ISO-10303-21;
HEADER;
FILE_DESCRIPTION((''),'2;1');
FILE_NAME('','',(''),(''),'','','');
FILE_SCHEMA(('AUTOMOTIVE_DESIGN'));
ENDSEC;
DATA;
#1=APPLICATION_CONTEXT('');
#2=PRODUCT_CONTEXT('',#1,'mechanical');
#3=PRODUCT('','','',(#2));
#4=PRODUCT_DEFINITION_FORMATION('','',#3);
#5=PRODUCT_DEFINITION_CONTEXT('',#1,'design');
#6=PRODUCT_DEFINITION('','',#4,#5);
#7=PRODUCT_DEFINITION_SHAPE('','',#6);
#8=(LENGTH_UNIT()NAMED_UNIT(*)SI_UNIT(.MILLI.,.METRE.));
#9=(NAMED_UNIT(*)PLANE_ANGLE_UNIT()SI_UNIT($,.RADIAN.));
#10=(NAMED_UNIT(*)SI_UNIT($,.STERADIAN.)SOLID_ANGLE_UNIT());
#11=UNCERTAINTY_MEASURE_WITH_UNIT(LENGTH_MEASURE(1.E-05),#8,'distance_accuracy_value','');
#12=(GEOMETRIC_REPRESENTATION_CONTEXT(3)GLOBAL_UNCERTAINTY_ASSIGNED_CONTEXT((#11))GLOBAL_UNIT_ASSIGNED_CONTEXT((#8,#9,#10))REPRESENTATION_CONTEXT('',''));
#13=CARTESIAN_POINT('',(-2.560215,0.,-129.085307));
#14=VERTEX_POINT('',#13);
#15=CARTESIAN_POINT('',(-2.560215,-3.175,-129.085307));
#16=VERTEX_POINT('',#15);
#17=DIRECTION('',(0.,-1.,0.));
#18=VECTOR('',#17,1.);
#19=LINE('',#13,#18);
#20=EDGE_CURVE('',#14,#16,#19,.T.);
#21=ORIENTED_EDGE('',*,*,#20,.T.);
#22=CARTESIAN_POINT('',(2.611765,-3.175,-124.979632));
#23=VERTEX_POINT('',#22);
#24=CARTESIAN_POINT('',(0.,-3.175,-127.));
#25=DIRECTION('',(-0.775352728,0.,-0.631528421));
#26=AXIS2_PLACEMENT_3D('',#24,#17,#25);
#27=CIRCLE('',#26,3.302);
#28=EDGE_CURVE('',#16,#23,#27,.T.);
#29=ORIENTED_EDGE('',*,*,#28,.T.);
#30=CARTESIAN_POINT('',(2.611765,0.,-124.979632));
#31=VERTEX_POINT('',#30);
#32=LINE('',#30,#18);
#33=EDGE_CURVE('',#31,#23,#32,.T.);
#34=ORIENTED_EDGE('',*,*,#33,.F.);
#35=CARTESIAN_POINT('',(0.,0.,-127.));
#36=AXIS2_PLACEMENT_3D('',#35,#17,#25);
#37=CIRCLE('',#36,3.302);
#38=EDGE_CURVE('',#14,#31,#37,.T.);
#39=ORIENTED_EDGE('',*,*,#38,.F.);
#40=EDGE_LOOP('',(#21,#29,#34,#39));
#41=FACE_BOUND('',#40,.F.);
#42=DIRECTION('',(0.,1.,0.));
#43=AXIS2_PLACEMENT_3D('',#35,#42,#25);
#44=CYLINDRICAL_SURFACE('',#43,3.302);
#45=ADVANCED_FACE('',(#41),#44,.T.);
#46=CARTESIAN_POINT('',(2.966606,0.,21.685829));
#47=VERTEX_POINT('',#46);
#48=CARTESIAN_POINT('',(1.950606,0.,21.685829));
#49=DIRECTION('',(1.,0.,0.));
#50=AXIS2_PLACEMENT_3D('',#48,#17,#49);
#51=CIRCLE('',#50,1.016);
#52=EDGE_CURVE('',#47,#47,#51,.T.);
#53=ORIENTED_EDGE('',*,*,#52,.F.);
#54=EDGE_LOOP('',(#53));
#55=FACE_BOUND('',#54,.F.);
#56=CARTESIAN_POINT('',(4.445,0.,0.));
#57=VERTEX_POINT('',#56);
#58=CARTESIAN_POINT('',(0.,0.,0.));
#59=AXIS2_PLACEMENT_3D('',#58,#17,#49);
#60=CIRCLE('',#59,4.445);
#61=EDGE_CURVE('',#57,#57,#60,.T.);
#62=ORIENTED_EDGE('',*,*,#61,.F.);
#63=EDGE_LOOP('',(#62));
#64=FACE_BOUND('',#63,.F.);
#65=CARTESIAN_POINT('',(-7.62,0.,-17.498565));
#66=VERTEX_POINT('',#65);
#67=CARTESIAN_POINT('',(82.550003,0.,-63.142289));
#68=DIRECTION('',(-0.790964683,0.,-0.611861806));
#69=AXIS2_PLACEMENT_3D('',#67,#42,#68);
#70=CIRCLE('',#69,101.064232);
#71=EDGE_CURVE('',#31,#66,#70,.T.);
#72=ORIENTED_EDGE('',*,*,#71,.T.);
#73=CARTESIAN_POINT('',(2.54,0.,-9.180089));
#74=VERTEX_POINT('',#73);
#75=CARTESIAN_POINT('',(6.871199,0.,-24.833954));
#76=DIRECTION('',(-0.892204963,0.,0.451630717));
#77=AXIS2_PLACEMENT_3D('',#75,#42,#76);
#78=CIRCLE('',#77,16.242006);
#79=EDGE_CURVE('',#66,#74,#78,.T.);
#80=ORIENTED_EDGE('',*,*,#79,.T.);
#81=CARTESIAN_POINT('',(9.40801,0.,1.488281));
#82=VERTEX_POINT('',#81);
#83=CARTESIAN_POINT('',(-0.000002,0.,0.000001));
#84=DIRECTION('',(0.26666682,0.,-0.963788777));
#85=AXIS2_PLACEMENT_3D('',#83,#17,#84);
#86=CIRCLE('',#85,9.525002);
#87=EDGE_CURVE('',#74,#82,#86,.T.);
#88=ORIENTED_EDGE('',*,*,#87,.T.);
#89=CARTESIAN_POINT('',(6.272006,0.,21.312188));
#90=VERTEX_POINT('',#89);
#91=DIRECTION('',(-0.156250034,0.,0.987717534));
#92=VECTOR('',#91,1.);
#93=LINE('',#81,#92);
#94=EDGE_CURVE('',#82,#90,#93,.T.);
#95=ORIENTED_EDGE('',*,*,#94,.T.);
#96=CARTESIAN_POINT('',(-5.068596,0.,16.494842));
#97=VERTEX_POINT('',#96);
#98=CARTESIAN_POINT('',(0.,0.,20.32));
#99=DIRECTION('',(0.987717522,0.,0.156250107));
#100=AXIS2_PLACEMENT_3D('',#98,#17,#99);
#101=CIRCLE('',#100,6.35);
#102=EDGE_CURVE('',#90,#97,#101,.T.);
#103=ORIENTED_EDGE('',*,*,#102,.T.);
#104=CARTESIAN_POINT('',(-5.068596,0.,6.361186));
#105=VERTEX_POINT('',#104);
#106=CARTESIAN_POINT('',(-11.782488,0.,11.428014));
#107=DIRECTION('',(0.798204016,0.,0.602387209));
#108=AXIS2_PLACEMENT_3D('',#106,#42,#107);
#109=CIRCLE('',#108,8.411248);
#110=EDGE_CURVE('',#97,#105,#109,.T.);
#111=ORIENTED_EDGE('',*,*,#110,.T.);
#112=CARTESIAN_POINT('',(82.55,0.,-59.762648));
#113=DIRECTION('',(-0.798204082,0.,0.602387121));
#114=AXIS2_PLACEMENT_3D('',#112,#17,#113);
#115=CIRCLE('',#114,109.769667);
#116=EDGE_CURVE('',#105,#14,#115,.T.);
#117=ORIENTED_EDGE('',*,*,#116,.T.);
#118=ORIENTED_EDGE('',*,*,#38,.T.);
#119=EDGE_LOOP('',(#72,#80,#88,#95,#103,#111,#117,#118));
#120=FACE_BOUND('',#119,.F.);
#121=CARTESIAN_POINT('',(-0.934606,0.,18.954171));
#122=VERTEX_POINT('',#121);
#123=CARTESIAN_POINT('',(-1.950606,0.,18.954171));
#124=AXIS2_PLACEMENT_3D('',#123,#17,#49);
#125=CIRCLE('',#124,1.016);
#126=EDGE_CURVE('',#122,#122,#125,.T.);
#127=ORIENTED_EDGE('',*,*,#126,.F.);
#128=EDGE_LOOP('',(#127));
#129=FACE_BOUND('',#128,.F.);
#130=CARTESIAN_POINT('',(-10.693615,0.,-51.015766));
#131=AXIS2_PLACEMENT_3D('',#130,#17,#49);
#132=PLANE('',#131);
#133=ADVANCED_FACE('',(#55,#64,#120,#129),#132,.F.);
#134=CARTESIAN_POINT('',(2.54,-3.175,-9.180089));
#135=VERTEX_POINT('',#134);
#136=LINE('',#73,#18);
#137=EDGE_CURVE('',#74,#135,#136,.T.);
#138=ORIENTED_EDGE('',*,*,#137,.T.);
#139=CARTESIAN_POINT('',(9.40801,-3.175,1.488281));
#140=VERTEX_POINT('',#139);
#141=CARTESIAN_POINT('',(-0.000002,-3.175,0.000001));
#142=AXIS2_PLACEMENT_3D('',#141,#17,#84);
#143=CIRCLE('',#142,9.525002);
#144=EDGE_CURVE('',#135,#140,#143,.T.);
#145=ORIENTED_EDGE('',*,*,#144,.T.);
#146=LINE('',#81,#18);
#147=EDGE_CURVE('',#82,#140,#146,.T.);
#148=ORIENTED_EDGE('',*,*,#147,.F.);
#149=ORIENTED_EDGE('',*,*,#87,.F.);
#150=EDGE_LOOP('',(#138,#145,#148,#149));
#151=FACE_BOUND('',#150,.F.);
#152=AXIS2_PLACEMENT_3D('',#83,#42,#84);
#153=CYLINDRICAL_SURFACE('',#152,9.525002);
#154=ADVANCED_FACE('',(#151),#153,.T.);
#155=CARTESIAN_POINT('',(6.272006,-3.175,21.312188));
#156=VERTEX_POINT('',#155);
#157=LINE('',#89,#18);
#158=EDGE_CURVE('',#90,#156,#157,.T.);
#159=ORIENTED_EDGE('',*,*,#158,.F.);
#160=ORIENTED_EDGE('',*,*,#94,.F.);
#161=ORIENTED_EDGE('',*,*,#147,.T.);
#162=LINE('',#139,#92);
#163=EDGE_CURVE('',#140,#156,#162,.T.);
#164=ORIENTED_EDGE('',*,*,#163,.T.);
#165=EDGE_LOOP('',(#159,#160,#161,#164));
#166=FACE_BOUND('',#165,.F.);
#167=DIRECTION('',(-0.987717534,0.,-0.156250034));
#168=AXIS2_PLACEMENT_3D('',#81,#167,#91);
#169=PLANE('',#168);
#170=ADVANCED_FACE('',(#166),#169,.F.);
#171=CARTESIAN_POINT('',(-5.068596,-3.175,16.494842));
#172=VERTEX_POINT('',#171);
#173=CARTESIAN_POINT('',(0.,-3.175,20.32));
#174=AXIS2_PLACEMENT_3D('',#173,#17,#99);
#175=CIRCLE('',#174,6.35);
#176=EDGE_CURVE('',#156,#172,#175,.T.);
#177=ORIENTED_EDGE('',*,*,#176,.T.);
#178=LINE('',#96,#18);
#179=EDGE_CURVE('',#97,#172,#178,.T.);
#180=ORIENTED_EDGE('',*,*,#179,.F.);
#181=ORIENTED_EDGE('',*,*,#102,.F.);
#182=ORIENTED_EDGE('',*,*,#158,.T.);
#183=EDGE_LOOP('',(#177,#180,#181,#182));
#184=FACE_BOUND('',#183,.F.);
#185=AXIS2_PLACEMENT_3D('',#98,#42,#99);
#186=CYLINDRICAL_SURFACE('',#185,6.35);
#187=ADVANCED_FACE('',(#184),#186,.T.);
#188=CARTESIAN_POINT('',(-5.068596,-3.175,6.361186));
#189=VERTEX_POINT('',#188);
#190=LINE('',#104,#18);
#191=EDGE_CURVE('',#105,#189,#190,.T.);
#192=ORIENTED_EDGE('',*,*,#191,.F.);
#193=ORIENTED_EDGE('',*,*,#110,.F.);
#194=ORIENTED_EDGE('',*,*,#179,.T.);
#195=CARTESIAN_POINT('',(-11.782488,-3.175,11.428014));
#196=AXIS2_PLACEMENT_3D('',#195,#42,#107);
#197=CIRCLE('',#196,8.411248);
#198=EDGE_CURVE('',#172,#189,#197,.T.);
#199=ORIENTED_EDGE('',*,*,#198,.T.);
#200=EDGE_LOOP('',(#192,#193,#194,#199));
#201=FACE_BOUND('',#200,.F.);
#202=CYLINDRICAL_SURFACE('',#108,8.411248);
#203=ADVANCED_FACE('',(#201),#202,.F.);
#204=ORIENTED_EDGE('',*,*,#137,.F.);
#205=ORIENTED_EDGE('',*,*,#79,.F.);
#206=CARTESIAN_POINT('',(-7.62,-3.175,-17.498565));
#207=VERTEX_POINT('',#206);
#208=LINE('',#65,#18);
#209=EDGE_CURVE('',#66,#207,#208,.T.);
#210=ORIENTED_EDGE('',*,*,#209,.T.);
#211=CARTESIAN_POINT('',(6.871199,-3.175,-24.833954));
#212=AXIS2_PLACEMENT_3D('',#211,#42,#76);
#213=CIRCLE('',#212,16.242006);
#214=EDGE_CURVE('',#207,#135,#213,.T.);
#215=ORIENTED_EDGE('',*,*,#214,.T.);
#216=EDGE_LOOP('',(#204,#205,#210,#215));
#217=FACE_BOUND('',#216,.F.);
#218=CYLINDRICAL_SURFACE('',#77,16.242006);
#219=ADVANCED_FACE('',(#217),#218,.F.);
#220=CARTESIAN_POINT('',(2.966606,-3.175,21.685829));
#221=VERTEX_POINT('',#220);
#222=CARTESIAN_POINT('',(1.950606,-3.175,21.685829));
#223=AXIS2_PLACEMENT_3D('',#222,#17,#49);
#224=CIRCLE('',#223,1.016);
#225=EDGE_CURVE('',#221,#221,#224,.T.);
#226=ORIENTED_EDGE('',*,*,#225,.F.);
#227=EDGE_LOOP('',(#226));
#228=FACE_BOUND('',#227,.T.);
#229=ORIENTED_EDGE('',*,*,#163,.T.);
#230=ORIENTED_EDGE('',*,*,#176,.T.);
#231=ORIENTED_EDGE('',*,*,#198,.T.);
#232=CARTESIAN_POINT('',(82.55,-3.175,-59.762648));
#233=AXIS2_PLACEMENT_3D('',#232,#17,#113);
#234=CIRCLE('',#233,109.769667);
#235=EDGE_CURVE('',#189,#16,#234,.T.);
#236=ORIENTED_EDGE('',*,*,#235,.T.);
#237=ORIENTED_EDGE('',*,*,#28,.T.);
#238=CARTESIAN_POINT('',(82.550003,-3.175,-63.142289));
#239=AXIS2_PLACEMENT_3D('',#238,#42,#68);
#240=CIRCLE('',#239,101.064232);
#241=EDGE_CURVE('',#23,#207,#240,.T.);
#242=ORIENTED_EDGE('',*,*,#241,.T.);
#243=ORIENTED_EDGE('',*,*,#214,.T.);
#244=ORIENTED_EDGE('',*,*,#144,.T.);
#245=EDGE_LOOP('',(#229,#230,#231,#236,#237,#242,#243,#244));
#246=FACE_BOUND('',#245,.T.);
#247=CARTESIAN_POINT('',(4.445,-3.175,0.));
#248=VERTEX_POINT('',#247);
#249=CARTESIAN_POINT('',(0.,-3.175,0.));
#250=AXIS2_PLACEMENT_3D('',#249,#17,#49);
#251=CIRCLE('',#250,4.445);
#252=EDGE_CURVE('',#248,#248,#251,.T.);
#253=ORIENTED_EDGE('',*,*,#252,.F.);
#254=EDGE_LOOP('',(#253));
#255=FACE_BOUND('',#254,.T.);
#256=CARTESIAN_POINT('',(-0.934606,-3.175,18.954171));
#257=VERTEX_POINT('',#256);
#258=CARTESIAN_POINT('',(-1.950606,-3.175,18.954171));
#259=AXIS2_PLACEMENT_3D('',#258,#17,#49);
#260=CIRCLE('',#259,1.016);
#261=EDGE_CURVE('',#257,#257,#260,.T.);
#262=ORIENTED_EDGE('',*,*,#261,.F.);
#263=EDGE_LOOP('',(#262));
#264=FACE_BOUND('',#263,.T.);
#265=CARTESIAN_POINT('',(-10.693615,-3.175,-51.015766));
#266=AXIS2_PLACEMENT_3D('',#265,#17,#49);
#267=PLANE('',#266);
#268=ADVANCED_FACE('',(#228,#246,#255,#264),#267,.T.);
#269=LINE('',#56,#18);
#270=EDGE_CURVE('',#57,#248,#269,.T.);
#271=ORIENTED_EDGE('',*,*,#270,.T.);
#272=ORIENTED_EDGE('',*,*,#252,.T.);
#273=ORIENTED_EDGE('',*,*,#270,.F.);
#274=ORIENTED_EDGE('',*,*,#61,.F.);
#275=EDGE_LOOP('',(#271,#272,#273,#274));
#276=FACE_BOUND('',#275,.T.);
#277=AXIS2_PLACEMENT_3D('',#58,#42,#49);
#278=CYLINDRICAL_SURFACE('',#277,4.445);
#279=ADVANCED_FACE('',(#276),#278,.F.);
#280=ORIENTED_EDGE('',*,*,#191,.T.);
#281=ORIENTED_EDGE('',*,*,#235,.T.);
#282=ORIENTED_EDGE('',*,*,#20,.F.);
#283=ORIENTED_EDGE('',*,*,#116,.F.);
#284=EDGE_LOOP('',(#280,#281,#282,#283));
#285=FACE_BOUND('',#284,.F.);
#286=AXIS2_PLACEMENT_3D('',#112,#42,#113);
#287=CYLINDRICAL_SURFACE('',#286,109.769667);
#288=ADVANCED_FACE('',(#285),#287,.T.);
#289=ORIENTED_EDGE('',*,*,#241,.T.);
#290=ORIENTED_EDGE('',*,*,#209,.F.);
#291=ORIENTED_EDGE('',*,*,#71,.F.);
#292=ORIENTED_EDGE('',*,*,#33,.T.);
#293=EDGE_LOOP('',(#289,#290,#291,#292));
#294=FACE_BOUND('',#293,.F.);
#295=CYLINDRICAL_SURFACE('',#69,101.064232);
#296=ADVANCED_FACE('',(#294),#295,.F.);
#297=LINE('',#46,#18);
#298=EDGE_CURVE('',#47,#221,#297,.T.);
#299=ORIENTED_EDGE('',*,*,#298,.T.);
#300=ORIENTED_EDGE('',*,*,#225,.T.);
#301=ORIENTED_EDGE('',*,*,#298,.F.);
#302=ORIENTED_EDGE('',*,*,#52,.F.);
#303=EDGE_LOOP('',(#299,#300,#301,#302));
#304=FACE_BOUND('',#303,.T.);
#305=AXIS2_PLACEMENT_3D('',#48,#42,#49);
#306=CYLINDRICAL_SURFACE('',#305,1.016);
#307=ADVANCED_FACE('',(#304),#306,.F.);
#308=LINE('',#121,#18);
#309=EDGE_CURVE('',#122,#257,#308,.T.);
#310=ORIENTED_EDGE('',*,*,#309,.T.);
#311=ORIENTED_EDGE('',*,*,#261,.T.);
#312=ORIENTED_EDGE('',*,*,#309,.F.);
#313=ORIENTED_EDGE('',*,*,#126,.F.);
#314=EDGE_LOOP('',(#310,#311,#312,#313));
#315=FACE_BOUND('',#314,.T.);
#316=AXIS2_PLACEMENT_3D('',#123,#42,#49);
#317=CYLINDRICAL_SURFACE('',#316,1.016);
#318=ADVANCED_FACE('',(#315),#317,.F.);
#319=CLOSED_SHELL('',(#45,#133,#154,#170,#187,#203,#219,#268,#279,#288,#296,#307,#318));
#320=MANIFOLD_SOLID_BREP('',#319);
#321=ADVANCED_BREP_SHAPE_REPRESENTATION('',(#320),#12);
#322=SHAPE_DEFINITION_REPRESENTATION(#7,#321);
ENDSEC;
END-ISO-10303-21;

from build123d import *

# Parameters (mm, degrees)
F0_R     = 4.445
F0_R_2   = 1.016
F1_DEPTH = 3.175


with BuildPart() as f1:
    # F0 (on Front) → F1 (new body)
    with BuildSketch(Plane.XZ):
        with BuildLine():
            Line((9.40801, 1.488281), (6.272006, 21.312188))
            ThreePointArc((6.272006, 21.312188), (-2.482691, 26.164548), (-5.068596, 16.494842))
            ThreePointArc((-5.068596, 16.494842), (-3.37124, 11.428014), (-5.068596, 6.361186))
            ThreePointArc((-5.068596, 6.361186), (-27.200848, -61.795162), (-2.560215, -129.085307))
            ThreePointArc((-2.560215, -129.085307), (2.052999, -129.586194), (2.611765, -124.979632))
            ThreePointArc((2.611765, -124.979632), (-18.059382, -72.719897), (-7.62, -17.498565))
            ThreePointArc((-7.62, -17.498565), (-3.418112, -12.26682), (2.54, -9.180089))
            ThreePointArc((2.54, -9.180089), (8.008886, -5.155906), (9.40801, 1.488281))
        make_face()
        Circle(F0_R, mode=Mode.SUBTRACT)
        with Locations((-1.950606, 18.954171)):
            Circle(F0_R_2, mode=Mode.SUBTRACT)
        with Locations((1.950606, 21.685829)):
            Circle(F0_R_2, mode=Mode.SUBTRACT)
    extrude(amount=F1_DEPTH)


solid = f1.part
